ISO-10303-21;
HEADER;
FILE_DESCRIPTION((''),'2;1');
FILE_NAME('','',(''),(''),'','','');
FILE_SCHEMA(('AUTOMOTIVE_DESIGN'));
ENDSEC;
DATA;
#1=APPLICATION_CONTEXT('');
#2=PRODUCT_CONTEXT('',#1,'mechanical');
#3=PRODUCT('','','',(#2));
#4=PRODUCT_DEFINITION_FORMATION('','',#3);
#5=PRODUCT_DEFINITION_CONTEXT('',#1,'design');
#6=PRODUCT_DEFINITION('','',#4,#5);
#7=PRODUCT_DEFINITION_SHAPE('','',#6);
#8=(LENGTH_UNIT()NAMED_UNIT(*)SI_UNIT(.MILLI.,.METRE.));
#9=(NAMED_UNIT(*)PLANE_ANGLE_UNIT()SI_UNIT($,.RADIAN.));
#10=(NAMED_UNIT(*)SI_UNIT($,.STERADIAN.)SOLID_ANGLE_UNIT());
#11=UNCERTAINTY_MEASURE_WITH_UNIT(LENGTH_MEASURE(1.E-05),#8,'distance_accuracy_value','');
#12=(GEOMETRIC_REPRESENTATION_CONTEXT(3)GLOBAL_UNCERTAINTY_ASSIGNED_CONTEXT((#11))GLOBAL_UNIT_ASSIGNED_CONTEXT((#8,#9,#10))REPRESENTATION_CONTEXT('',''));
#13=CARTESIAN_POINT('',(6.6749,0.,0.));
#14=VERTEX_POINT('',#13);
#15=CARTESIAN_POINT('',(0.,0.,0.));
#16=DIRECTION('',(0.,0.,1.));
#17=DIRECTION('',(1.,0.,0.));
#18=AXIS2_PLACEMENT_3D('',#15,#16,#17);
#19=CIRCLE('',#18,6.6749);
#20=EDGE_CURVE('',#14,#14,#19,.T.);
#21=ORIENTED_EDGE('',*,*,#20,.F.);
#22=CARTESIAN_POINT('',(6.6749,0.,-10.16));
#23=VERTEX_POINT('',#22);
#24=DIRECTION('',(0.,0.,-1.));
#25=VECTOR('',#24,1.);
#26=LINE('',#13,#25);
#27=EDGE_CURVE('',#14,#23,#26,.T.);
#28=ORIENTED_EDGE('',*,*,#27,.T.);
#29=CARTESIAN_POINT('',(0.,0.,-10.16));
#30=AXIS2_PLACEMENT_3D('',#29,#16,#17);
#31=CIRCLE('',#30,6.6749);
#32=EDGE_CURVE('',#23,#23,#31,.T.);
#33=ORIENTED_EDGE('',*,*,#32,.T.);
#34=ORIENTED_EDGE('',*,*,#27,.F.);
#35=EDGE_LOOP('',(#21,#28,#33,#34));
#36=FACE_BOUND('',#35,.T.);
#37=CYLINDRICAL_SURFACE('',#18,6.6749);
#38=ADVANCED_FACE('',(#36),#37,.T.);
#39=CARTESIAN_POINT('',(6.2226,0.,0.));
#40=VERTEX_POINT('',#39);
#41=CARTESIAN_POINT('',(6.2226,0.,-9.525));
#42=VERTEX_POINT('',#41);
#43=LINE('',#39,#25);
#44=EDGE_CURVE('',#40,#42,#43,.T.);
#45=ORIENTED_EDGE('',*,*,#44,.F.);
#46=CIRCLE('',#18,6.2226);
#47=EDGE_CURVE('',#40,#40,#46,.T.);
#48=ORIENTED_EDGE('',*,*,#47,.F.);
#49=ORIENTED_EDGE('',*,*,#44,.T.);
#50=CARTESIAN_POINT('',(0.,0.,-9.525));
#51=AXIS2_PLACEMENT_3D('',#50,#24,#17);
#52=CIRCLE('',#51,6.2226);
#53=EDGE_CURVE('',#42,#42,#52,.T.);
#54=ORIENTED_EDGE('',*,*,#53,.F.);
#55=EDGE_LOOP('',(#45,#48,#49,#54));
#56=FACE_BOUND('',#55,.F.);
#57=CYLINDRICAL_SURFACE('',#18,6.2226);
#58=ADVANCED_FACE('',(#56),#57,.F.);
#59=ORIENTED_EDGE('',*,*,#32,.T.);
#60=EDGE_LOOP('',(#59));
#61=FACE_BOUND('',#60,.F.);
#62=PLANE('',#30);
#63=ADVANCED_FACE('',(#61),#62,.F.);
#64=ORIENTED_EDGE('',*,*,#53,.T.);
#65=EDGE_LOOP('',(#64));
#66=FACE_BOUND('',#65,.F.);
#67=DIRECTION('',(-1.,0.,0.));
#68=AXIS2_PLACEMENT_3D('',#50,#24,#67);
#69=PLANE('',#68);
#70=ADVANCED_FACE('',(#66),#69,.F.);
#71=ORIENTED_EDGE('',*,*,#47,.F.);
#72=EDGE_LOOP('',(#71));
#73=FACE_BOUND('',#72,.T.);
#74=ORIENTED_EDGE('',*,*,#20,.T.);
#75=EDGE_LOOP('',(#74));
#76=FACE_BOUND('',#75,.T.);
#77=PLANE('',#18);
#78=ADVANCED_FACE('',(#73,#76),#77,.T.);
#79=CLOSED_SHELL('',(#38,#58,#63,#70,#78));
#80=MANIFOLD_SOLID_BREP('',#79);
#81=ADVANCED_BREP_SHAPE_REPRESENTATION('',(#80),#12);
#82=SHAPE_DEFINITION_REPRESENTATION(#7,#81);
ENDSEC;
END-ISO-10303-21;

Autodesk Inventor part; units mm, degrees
ref_plane "YZ Plane" through (0, 0, 0) normal (1, 0, 0) x (0, 1, 0)
ref_plane "XZ Plane" through (0, 0, 0) normal (0, 1, 0) x (-1, 0, 0)
ref_plane "XY Plane" through (0, 0, 0) normal (0, 0, 1) x (1, 0, 0)
sketch "Sketch1" plane through (0, 0, 0) normal (0, 0, 1) x (1, 0, 0)
  circle A0 centre (0, 0) radius 6.6749
  circle A1 centre (0, 0) radius 6.2226
  dimension "d0" = 13.3499
  dimension "d1" = 12.4451
extrude "Extrusion1" add sketch "Sketch1" against normal blind 10.16
sketch "Sketch3" plane through (0, 0, -10.16) normal (0, 0, -1) x (-1, 0, 0)
  circle A0 centre (0, 0) radius 6.2226
  dimension "d6" = 12.4451
extrude "Extrusion2" add sketch "Sketch3" against normal blind 0.635
